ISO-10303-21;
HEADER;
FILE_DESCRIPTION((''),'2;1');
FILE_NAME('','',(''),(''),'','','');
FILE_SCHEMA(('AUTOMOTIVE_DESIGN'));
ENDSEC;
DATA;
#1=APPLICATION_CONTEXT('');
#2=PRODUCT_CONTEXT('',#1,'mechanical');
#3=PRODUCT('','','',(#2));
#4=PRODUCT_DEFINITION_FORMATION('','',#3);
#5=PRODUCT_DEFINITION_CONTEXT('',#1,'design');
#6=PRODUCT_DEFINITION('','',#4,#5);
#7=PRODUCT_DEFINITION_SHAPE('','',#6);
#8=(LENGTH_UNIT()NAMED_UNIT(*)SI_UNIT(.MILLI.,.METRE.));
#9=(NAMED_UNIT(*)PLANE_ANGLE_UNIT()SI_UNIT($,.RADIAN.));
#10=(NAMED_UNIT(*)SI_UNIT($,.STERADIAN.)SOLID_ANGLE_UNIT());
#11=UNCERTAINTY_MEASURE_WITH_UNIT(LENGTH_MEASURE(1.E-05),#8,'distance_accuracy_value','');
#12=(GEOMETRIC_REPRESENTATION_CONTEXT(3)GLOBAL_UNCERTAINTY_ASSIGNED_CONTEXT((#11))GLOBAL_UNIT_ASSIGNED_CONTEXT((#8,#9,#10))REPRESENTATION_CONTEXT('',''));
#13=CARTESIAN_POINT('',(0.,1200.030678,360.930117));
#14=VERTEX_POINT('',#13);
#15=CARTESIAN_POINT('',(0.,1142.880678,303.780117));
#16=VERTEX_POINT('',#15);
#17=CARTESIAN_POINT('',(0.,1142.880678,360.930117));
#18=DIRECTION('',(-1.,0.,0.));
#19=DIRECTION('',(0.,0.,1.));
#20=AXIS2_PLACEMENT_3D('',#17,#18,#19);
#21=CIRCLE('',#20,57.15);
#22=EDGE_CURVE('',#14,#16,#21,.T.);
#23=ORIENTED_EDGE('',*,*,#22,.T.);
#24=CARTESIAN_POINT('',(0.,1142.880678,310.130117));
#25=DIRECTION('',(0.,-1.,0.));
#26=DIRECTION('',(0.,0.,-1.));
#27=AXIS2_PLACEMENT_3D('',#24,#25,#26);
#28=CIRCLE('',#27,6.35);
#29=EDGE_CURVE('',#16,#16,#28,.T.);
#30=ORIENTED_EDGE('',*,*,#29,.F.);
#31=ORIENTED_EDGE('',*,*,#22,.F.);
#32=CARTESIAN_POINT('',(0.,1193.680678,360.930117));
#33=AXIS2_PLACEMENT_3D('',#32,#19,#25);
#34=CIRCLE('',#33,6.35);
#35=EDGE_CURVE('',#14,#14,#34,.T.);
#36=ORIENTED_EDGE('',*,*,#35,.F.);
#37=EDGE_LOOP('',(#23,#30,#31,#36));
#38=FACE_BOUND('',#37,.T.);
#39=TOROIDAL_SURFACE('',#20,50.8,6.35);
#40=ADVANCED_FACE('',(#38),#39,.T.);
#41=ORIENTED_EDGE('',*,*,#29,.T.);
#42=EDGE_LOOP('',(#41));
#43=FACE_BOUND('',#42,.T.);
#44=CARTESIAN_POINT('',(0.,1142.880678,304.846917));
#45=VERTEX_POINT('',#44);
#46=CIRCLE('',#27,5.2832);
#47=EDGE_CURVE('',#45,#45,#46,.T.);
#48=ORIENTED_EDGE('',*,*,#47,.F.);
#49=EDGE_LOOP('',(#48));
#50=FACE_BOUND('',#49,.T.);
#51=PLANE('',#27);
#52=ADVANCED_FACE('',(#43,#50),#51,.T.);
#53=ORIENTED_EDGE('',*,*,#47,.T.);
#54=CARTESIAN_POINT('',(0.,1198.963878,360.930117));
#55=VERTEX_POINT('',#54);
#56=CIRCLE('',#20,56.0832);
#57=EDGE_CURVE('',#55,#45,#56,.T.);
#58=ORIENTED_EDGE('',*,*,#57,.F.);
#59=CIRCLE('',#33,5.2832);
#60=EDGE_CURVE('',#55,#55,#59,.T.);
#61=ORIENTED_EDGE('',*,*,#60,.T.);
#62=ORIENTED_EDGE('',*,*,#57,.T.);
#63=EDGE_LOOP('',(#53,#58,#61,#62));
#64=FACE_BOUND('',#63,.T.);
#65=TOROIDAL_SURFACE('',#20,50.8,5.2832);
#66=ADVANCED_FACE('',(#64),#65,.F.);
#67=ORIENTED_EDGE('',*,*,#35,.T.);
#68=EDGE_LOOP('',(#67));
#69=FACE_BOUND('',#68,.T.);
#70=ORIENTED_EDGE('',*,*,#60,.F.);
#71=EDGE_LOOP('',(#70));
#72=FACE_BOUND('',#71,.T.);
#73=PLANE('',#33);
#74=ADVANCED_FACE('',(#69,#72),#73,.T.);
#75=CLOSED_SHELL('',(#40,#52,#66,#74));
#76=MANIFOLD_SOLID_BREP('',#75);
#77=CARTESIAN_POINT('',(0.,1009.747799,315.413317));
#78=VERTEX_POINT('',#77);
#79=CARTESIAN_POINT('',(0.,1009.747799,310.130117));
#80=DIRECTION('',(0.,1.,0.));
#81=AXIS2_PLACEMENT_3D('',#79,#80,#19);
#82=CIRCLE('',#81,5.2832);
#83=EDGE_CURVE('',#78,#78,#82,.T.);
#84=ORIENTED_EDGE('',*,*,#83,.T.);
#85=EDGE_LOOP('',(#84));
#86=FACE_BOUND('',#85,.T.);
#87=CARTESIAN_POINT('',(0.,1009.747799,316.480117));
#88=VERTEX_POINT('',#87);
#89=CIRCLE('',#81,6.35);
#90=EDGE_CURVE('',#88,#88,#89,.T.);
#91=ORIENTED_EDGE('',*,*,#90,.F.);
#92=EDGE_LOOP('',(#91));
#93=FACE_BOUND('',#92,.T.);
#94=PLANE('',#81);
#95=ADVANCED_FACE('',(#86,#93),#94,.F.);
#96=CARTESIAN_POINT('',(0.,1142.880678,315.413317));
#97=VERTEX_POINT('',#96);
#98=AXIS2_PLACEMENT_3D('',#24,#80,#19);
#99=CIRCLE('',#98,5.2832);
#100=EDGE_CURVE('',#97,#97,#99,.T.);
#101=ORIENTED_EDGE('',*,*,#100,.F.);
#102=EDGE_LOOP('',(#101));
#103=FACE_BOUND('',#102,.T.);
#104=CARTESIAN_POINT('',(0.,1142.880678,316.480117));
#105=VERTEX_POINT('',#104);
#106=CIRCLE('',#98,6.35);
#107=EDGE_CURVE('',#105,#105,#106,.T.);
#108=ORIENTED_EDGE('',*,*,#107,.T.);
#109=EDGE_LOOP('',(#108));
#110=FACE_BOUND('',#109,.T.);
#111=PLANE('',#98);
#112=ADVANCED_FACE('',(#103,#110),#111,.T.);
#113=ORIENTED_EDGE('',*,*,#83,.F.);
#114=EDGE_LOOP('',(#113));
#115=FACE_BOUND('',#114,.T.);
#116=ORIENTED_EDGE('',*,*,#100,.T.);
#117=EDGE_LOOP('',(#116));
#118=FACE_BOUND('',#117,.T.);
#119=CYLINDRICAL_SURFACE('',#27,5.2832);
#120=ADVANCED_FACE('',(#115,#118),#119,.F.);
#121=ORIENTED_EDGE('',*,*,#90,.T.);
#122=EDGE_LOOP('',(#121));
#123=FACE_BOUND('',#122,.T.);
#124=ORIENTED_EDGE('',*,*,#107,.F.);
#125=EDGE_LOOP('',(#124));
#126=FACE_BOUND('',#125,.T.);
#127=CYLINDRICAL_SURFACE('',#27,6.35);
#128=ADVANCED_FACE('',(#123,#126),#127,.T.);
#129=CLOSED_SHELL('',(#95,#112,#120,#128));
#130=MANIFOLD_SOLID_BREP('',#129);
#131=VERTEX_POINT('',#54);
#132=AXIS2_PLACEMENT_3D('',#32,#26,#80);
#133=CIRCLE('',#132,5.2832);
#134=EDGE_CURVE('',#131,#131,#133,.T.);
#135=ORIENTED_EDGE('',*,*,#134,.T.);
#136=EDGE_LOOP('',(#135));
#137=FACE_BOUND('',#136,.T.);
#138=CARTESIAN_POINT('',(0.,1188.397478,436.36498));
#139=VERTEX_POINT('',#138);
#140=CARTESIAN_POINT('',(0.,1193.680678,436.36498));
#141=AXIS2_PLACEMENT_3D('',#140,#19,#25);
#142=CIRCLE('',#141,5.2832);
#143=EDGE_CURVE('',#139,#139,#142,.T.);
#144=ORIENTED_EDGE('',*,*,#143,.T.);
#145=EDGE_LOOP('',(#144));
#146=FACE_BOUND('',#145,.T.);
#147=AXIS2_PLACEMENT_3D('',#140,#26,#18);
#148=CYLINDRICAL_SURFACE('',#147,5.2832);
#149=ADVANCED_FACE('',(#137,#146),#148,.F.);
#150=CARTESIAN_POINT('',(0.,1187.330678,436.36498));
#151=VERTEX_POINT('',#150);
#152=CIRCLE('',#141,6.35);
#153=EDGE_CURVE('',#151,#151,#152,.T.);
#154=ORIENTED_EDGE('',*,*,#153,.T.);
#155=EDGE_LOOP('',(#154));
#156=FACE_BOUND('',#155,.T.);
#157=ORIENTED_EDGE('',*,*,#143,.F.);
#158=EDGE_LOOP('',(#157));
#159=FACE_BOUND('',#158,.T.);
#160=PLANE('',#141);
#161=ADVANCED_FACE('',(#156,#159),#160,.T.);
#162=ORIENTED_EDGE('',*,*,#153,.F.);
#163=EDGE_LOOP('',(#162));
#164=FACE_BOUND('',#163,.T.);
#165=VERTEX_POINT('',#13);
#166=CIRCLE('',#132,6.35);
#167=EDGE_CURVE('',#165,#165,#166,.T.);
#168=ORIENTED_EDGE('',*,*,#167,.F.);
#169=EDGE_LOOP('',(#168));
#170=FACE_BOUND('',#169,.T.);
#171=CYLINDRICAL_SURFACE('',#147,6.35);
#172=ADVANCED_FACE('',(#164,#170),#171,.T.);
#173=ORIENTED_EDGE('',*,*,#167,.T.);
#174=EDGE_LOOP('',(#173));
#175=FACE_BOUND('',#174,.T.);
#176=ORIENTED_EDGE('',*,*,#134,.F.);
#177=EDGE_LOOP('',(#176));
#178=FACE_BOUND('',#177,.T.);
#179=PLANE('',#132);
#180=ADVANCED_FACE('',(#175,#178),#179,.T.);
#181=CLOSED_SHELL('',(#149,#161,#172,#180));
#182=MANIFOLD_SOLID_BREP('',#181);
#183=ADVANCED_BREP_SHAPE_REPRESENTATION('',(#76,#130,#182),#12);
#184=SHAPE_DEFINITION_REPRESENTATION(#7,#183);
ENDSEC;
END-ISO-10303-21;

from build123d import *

# Parameters (mm, degrees)
SKETCH11_R                = 6.35
SKETCH11_R_2              = 5.2832
PIPE_0_5_SCH_40_1_DEPTH   = 133.132879549
SKETCH11_ON_SEGMENT_2_R   = 6.35
SKETCH11_ON_SEGMENT_2_R_2 = 5.2832
PIPE_0_5_SCH_40_1_2_ANGLE = 90
SKETCH11_ON_SEGMENT_3_R   = 6.35
SKETCH11_ON_SEGMENT_3_R_2 = 5.2832
PIPE_0_5_SCH_40_1_3_DEPTH = 75.434862272


with BuildPart() as part:
    # Sketch11 → Pipe 0.5 SCH 40(1) (new body)
    with BuildSketch(Plane(origin=(0, 1009.74779895, 310.130117333), x_dir=(0, 0, 1), z_dir=(0, 1, 0))):
        Circle(SKETCH11_R)
        Circle(SKETCH11_R_2, mode=Mode.SUBTRACT)
    extrude(amount=PIPE_0_5_SCH_40_1_DEPTH)


with BuildPart() as body_2:
    # Sketch11 on segment 2 (carried to the start of arc 2) → Pipe 0.5 SCH 40_1 2 (revolve)
    with BuildSketch(Plane(origin=(0, 1142.880678498, 310.130117333), x_dir=(0, 0, 1), z_dir=(0, 1, 0))):
        Circle(SKETCH11_ON_SEGMENT_2_R)
        Circle(SKETCH11_ON_SEGMENT_2_R_2, mode=Mode.SUBTRACT)
    revolve(axis=Axis((0, 1142.880678498, 360.930117333), (1, 0, 0)), revolution_arc=PIPE_0_5_SCH_40_1_2_ANGLE)


with BuildPart() as body_3:
    # Sketch11 on segment 3 (carried to segment 3) → Pipe 0.5 SCH 40_1 3 (new body)
    with BuildSketch(Plane(origin=(0, 1193.680678498, 436.364979606), x_dir=(0, 1, 0), z_dir=(0, 0, -1))):
        Circle(SKETCH11_ON_SEGMENT_3_R)
        Circle(SKETCH11_ON_SEGMENT_3_R_2, mode=Mode.SUBTRACT)
    extrude(amount=PIPE_0_5_SCH_40_1_3_DEPTH)


solid = Compound([part.part, body_2.part, body_3.part])
